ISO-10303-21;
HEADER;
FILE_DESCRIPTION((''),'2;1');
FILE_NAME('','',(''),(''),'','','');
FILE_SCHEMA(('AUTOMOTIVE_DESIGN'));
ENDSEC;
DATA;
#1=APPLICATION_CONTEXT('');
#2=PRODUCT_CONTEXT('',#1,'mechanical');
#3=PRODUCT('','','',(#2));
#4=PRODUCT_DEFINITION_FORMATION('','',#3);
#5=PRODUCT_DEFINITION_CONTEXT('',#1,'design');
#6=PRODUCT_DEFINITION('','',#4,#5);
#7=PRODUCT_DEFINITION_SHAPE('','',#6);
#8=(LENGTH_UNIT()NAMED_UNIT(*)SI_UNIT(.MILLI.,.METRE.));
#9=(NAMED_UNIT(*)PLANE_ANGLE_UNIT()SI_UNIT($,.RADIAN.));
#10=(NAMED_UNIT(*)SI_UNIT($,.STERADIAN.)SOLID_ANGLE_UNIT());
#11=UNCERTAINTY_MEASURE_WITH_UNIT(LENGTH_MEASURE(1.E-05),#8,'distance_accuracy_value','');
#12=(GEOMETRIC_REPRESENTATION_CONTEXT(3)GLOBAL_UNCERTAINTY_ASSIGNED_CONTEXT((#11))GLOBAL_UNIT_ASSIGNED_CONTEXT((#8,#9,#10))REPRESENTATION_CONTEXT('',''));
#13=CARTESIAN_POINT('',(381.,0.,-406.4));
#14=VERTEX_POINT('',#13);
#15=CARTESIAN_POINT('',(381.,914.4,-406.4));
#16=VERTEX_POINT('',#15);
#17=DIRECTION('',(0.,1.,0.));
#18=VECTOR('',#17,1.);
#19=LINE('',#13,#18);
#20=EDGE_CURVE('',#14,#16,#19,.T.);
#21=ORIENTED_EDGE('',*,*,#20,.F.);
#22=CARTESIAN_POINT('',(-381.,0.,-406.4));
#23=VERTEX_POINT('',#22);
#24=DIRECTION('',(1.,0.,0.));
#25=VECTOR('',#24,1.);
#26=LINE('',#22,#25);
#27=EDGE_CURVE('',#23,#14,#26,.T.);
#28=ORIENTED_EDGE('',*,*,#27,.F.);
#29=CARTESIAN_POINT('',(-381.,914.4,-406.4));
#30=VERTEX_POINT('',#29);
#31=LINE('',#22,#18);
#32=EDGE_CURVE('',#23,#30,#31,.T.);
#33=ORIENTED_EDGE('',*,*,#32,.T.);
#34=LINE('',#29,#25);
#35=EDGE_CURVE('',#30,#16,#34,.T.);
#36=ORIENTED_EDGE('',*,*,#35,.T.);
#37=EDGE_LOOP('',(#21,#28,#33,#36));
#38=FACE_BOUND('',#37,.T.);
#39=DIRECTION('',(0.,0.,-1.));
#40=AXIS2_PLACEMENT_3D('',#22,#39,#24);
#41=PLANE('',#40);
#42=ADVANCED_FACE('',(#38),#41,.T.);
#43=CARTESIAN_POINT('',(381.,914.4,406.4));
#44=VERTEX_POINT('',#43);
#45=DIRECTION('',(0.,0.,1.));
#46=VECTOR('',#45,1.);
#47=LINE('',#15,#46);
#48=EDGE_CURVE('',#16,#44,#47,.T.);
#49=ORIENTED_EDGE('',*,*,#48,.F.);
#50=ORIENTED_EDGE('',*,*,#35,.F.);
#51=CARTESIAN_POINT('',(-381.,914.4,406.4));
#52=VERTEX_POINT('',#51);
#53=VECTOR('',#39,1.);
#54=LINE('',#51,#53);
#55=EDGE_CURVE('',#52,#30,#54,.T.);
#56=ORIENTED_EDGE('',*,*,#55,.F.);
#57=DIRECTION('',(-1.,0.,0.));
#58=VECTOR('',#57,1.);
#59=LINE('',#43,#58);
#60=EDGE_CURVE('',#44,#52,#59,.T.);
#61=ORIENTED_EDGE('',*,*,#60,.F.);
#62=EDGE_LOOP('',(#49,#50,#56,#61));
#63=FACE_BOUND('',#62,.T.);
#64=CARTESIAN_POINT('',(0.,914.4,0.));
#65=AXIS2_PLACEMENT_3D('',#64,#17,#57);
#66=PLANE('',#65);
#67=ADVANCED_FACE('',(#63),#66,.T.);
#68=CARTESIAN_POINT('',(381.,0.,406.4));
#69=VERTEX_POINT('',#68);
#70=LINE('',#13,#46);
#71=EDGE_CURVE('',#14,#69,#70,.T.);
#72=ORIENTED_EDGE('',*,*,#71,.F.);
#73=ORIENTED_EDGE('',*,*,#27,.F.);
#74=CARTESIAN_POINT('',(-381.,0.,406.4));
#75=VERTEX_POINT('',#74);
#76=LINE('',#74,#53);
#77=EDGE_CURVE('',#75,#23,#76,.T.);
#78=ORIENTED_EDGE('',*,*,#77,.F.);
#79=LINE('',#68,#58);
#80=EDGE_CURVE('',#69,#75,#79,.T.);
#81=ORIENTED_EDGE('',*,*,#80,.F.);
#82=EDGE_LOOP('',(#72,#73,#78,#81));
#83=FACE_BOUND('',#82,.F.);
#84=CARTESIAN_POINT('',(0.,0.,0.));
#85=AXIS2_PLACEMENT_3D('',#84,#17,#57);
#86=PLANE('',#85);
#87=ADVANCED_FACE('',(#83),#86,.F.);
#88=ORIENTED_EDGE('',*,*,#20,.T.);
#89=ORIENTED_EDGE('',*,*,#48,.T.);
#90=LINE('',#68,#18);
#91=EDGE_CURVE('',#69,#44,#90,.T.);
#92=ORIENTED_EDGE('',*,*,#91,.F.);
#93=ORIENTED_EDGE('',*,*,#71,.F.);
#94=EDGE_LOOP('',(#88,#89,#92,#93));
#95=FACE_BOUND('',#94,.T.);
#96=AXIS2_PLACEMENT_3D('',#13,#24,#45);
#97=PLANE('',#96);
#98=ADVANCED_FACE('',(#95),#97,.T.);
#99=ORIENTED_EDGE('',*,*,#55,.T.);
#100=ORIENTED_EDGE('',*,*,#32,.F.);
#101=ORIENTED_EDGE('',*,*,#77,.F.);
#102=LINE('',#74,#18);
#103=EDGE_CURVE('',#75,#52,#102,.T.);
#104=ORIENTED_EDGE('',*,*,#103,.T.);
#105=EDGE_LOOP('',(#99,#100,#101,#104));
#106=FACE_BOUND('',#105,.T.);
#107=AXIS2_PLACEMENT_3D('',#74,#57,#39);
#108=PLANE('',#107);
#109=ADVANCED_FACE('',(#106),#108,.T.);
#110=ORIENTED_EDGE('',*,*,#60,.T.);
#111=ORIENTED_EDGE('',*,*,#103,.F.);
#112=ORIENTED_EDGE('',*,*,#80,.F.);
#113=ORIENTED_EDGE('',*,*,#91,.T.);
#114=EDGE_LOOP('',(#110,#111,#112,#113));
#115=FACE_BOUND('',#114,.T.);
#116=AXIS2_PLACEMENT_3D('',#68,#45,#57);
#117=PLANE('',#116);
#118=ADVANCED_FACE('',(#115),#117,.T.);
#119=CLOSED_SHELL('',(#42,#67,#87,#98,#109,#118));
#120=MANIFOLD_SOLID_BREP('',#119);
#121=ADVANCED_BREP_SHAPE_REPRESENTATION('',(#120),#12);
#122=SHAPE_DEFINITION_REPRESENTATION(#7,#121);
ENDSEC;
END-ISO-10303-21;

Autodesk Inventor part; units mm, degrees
ref_plane "YZ Plane" through (0, 0, 0) normal (1, 0, 0) x (0, 1, 0)
ref_plane "XZ Plane" through (0, 0, 0) normal (0, 1, 0) x (-1, 0, 0)
ref_plane "XY Plane" through (0, 0, 0) normal (0, 0, 1) x (1, 0, 0)
sketch "Sketch1" plane through (0, 0, 0) normal (0, 1, 0) x (-1, 0, 0)
  line L0 (-381, 406.4) -> (381, 406.4)
  line L1 (381, 406.4) -> (381, -406.4)
  line L2 (381, -406.4) -> (-381, -406.4)
  line L3 (-381, -406.4) -> (-381, 406.4)
  line L4 (-381, 406.4) -> (381, -406.4) construction
  line L5 (381, 406.4) -> (-381, -406.4) construction
  point P0 (0, 0)
  dimension "d0" = 812.8
  dimension "d1" = 762
extrude "Extrusion1" add sketch "Sketch1" along normal blind 914.4
properties part number "Tall Build Volume"
